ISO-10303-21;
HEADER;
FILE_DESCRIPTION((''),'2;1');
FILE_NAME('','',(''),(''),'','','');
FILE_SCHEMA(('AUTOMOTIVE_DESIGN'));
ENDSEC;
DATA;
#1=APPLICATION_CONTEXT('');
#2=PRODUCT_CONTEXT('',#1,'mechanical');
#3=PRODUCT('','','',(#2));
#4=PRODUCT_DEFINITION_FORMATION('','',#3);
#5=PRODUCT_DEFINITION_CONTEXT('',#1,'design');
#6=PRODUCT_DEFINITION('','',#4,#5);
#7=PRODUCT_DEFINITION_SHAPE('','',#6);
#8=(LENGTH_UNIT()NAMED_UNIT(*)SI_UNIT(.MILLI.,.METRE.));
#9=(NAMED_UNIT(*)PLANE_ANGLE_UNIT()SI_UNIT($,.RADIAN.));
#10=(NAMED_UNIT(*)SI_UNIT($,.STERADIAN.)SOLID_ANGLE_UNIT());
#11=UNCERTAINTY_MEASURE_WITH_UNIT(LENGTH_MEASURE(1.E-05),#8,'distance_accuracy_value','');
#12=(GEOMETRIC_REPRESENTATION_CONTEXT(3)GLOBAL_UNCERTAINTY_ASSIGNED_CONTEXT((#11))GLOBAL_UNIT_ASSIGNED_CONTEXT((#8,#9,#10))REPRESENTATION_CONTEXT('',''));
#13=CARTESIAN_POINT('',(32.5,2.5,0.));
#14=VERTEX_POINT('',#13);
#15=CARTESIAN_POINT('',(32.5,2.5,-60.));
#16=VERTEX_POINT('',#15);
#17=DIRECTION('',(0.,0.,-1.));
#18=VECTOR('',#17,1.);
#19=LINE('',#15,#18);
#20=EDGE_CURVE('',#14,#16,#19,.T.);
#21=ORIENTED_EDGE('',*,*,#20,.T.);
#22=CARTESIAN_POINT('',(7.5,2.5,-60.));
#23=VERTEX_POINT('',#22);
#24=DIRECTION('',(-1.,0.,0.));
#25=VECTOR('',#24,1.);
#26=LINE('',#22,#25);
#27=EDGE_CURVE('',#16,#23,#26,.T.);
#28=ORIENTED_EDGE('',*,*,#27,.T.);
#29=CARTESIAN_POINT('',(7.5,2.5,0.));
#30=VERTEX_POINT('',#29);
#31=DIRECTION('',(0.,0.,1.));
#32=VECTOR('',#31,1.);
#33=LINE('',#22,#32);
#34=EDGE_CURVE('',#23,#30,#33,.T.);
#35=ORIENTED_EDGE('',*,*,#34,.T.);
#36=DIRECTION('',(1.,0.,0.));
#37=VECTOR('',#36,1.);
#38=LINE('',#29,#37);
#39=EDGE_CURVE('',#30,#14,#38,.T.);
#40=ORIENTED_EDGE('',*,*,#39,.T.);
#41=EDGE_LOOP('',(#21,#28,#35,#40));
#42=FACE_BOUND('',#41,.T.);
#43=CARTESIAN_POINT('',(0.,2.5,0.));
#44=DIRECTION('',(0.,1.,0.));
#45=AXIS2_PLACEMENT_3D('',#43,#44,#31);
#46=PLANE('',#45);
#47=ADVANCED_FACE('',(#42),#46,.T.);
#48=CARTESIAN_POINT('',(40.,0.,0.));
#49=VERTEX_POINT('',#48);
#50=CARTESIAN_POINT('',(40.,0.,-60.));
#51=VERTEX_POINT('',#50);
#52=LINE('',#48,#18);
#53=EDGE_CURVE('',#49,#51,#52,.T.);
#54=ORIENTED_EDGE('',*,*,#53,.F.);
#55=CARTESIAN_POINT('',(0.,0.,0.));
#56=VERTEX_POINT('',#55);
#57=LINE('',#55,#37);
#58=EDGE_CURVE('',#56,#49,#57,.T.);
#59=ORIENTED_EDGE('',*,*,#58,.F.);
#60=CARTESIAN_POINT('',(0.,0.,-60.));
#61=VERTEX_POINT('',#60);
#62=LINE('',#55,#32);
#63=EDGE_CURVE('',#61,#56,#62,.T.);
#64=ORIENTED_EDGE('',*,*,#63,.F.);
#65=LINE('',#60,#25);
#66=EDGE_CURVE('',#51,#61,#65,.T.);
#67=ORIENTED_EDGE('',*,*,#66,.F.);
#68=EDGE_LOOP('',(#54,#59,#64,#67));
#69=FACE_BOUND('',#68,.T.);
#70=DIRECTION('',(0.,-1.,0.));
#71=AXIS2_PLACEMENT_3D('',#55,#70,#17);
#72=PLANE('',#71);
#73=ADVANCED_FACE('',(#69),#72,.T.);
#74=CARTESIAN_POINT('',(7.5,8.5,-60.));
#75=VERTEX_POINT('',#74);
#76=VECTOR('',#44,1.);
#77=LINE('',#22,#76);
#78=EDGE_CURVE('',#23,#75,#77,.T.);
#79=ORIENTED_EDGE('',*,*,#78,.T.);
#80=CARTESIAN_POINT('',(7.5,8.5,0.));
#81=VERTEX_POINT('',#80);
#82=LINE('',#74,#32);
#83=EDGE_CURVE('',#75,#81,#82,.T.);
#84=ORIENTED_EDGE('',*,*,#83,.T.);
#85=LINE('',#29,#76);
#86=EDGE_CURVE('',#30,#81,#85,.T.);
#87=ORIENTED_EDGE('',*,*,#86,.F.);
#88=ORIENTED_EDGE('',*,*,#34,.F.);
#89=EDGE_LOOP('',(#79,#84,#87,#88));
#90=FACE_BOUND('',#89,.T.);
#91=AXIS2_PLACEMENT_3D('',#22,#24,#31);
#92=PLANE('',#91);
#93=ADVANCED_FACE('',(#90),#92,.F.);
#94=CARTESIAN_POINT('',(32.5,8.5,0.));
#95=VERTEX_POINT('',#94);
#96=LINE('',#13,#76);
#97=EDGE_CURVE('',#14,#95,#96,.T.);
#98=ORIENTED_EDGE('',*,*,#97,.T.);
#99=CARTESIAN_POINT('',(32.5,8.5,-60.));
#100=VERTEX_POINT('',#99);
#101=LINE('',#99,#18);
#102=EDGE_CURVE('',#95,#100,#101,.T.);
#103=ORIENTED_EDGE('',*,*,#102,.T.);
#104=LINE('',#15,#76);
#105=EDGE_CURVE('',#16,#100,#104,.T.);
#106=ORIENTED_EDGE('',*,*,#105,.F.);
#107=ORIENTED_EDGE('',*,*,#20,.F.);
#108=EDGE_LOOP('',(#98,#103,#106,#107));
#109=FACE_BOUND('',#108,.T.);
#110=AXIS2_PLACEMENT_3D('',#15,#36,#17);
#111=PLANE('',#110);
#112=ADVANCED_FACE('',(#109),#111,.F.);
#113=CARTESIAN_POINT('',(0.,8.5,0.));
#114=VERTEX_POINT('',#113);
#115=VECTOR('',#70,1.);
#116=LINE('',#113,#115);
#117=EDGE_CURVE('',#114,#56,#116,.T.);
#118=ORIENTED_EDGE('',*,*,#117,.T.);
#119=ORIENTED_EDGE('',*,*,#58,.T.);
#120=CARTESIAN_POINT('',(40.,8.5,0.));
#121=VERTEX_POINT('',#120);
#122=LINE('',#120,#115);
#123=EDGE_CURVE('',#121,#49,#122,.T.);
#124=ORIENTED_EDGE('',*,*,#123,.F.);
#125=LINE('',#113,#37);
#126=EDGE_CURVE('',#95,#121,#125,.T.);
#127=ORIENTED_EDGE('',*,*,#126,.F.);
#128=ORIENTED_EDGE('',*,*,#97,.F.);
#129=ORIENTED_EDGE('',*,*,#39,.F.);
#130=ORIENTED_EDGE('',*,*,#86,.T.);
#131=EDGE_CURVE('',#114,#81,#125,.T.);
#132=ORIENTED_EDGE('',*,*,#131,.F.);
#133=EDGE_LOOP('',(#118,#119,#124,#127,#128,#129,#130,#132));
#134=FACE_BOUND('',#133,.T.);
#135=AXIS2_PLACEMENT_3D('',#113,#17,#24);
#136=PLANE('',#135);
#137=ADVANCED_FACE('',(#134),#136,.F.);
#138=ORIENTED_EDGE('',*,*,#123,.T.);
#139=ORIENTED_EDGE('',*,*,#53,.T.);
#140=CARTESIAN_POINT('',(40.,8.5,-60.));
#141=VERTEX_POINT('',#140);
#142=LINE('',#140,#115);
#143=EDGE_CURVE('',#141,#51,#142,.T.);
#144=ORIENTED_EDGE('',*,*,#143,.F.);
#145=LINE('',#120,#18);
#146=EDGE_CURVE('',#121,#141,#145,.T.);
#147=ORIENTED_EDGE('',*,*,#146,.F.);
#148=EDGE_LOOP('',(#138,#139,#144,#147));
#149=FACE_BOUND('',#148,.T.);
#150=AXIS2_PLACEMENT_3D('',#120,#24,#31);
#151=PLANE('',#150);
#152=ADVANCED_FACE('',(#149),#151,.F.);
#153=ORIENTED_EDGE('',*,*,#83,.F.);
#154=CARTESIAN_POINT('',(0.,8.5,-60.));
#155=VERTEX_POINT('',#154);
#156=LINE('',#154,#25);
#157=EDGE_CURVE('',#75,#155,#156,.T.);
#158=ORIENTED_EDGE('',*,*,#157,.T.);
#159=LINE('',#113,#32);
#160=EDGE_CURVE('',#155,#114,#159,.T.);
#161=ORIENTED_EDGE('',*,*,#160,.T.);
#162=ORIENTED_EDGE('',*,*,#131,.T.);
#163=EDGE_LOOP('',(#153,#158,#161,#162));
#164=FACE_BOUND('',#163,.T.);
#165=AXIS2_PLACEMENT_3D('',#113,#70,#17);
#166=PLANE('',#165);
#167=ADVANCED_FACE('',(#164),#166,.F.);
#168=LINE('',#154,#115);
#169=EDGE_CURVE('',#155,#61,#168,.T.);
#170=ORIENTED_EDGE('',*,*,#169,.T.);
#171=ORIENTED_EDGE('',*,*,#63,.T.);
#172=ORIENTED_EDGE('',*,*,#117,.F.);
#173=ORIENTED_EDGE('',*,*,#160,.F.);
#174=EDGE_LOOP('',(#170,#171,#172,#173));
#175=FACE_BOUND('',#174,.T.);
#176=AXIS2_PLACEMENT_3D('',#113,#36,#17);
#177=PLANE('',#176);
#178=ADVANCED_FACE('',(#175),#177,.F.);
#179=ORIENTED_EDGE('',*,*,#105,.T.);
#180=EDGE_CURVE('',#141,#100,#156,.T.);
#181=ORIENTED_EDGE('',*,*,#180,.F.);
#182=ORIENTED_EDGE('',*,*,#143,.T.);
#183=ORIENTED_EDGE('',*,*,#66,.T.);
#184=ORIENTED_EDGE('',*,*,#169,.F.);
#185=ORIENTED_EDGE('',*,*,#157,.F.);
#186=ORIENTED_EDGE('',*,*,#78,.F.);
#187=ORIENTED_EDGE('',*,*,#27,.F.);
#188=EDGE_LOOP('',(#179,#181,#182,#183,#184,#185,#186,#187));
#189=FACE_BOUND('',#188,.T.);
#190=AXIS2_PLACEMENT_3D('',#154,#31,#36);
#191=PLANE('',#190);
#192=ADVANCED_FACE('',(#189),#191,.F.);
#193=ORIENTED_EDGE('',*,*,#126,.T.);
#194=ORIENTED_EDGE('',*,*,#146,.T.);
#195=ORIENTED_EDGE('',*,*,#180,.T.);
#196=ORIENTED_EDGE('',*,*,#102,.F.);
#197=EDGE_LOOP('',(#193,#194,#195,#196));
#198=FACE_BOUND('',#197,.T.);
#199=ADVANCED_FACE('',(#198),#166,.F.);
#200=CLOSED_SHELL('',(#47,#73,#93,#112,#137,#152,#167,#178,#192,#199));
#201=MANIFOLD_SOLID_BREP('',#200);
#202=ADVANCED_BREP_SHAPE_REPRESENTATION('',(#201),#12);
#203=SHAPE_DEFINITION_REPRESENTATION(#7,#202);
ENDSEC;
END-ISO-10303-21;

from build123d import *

# Parameters (mm, degrees)
SKETCH1_W           = 40
SKETCH1_H           = 60
BOSS_EXTRUDE1_DEPTH = 8.5
SKETCH2_W           = 25
SKETCH2_H           = 60
CUT_EXTRUDE1_DEPTH  = 6


with BuildPart() as part:
    # Sketch1 → Boss-Extrude1 (new body)
    with BuildSketch(Plane(origin=(0, 0, 0), x_dir=(1, 0, 0), z_dir=(0, 1, 0))):
        with Locations((20, 30)):
            Rectangle(SKETCH1_W, SKETCH1_H)
    extrude(amount=BOSS_EXTRUDE1_DEPTH)

    # Sketch2 → Cut-Extrude1 (cut)
    with BuildSketch(Plane(origin=(0, 8.5, 0), x_dir=(1, 0, 0), z_dir=(0, 1, 0))):
        with Locations((20, 30)):
            Rectangle(SKETCH2_W, SKETCH2_H)
    extrude(amount=-CUT_EXTRUDE1_DEPTH, mode=Mode.SUBTRACT)


solid = part.part
